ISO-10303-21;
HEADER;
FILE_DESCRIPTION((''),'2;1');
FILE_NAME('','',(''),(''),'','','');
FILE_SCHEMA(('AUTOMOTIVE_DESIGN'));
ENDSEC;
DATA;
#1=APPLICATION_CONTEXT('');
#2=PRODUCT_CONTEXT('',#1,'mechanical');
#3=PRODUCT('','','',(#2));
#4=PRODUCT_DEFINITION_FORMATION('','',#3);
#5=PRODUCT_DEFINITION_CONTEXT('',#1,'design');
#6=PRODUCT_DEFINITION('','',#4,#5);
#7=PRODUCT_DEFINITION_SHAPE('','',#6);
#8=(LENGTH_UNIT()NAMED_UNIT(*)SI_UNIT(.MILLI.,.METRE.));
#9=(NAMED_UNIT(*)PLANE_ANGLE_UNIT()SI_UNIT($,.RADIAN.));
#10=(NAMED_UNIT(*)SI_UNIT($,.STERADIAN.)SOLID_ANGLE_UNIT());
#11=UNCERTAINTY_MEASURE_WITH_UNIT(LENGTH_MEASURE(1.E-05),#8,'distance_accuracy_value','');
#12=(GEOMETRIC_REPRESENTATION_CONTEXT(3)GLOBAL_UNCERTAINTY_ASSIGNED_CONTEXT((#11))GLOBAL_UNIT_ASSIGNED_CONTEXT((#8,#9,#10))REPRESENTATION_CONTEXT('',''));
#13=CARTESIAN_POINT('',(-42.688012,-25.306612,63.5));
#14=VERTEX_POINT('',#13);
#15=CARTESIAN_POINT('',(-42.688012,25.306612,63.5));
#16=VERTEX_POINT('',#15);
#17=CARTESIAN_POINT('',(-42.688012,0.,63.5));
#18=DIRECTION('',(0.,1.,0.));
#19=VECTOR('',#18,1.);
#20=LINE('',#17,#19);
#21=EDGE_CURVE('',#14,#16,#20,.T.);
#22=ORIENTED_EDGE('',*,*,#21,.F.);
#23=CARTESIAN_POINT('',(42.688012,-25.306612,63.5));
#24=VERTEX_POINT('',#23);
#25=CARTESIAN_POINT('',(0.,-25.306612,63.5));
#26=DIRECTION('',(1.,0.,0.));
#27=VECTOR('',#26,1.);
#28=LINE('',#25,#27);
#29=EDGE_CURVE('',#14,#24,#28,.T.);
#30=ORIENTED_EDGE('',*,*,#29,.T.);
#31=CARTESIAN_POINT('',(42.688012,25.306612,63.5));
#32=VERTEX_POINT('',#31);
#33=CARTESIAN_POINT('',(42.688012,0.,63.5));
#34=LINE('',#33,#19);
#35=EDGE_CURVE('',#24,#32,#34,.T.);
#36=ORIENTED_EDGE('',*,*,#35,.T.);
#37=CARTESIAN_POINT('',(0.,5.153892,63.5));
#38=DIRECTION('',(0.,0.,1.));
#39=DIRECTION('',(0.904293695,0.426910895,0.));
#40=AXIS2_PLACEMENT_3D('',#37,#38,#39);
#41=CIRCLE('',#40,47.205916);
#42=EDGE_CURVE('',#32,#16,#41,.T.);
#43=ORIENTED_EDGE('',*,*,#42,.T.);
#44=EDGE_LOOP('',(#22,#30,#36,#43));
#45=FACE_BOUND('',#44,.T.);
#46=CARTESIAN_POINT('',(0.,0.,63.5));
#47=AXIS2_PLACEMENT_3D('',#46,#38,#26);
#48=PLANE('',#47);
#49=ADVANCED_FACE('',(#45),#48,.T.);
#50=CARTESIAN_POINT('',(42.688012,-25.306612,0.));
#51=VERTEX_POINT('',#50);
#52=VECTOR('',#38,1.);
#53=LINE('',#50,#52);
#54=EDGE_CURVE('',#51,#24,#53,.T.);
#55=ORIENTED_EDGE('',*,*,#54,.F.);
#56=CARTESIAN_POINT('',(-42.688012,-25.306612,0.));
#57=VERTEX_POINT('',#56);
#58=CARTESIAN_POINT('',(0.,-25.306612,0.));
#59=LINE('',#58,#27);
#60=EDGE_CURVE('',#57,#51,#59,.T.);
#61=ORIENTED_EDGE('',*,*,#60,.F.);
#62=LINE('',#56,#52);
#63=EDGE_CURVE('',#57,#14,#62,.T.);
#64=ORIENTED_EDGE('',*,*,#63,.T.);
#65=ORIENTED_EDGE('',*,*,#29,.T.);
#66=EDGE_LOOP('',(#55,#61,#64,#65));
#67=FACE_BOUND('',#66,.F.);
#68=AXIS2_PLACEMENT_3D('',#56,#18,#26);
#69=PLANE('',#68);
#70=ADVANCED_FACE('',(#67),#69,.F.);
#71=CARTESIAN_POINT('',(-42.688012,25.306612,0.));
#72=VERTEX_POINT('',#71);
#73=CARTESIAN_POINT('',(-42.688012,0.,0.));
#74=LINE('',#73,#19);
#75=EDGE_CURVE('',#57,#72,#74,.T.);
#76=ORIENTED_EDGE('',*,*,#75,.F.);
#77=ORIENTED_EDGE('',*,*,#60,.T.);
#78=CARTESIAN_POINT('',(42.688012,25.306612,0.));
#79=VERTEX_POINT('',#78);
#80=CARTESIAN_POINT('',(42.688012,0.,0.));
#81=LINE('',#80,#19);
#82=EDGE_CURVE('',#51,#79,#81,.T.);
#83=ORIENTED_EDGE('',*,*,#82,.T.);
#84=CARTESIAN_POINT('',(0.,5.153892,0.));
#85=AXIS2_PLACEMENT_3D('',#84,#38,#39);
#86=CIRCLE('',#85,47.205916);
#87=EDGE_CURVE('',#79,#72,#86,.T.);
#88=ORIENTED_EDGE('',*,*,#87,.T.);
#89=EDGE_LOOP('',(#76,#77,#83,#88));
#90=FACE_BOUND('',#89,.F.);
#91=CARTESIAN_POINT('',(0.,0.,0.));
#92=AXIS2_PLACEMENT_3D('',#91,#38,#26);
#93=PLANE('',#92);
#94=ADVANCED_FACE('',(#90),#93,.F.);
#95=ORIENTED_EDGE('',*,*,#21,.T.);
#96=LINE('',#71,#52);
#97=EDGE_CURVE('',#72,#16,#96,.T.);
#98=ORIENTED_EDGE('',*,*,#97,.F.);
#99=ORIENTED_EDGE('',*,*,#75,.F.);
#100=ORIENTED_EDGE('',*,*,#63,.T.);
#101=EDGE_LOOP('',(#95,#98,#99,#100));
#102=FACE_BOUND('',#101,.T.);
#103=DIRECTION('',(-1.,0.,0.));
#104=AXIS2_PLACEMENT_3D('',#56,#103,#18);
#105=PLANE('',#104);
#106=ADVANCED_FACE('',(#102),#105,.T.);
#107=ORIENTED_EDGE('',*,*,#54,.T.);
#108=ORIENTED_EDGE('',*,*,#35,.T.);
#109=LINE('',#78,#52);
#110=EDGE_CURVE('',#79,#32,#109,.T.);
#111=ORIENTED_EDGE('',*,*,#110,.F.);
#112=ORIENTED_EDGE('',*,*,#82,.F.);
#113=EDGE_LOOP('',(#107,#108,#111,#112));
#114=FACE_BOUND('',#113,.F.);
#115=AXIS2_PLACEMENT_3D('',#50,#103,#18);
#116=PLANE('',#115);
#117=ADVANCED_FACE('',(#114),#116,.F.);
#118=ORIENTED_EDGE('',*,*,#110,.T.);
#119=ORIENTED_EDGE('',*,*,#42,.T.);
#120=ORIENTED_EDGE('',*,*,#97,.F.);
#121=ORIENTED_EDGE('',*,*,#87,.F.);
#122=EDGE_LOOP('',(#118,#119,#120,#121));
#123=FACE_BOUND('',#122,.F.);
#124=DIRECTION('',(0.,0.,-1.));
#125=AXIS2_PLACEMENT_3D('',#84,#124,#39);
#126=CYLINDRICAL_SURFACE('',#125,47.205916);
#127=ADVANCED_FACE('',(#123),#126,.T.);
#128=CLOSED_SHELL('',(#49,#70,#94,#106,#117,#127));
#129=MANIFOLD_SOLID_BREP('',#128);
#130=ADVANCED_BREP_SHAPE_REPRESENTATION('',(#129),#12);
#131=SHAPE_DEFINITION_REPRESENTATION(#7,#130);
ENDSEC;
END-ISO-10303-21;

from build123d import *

# Parameters (mm, degrees)
F0_W     = 85.376024
F0_H     = 50.613224
F1_DEPTH = 63.5


with BuildPart() as f1:
    # F0 (on Top) → F1 (new body)
    with BuildSketch(Plane.XY):
        Rectangle(F0_W, F0_H)
        with BuildLine():
            Line((-42.688012, 25.306612), (42.688012, 25.306612))
            ThreePointArc((42.688012, 25.306612), (0, 52.359808), (-42.688012, 25.306612))
        make_face()
    extrude(amount=F1_DEPTH)


solid = f1.part
